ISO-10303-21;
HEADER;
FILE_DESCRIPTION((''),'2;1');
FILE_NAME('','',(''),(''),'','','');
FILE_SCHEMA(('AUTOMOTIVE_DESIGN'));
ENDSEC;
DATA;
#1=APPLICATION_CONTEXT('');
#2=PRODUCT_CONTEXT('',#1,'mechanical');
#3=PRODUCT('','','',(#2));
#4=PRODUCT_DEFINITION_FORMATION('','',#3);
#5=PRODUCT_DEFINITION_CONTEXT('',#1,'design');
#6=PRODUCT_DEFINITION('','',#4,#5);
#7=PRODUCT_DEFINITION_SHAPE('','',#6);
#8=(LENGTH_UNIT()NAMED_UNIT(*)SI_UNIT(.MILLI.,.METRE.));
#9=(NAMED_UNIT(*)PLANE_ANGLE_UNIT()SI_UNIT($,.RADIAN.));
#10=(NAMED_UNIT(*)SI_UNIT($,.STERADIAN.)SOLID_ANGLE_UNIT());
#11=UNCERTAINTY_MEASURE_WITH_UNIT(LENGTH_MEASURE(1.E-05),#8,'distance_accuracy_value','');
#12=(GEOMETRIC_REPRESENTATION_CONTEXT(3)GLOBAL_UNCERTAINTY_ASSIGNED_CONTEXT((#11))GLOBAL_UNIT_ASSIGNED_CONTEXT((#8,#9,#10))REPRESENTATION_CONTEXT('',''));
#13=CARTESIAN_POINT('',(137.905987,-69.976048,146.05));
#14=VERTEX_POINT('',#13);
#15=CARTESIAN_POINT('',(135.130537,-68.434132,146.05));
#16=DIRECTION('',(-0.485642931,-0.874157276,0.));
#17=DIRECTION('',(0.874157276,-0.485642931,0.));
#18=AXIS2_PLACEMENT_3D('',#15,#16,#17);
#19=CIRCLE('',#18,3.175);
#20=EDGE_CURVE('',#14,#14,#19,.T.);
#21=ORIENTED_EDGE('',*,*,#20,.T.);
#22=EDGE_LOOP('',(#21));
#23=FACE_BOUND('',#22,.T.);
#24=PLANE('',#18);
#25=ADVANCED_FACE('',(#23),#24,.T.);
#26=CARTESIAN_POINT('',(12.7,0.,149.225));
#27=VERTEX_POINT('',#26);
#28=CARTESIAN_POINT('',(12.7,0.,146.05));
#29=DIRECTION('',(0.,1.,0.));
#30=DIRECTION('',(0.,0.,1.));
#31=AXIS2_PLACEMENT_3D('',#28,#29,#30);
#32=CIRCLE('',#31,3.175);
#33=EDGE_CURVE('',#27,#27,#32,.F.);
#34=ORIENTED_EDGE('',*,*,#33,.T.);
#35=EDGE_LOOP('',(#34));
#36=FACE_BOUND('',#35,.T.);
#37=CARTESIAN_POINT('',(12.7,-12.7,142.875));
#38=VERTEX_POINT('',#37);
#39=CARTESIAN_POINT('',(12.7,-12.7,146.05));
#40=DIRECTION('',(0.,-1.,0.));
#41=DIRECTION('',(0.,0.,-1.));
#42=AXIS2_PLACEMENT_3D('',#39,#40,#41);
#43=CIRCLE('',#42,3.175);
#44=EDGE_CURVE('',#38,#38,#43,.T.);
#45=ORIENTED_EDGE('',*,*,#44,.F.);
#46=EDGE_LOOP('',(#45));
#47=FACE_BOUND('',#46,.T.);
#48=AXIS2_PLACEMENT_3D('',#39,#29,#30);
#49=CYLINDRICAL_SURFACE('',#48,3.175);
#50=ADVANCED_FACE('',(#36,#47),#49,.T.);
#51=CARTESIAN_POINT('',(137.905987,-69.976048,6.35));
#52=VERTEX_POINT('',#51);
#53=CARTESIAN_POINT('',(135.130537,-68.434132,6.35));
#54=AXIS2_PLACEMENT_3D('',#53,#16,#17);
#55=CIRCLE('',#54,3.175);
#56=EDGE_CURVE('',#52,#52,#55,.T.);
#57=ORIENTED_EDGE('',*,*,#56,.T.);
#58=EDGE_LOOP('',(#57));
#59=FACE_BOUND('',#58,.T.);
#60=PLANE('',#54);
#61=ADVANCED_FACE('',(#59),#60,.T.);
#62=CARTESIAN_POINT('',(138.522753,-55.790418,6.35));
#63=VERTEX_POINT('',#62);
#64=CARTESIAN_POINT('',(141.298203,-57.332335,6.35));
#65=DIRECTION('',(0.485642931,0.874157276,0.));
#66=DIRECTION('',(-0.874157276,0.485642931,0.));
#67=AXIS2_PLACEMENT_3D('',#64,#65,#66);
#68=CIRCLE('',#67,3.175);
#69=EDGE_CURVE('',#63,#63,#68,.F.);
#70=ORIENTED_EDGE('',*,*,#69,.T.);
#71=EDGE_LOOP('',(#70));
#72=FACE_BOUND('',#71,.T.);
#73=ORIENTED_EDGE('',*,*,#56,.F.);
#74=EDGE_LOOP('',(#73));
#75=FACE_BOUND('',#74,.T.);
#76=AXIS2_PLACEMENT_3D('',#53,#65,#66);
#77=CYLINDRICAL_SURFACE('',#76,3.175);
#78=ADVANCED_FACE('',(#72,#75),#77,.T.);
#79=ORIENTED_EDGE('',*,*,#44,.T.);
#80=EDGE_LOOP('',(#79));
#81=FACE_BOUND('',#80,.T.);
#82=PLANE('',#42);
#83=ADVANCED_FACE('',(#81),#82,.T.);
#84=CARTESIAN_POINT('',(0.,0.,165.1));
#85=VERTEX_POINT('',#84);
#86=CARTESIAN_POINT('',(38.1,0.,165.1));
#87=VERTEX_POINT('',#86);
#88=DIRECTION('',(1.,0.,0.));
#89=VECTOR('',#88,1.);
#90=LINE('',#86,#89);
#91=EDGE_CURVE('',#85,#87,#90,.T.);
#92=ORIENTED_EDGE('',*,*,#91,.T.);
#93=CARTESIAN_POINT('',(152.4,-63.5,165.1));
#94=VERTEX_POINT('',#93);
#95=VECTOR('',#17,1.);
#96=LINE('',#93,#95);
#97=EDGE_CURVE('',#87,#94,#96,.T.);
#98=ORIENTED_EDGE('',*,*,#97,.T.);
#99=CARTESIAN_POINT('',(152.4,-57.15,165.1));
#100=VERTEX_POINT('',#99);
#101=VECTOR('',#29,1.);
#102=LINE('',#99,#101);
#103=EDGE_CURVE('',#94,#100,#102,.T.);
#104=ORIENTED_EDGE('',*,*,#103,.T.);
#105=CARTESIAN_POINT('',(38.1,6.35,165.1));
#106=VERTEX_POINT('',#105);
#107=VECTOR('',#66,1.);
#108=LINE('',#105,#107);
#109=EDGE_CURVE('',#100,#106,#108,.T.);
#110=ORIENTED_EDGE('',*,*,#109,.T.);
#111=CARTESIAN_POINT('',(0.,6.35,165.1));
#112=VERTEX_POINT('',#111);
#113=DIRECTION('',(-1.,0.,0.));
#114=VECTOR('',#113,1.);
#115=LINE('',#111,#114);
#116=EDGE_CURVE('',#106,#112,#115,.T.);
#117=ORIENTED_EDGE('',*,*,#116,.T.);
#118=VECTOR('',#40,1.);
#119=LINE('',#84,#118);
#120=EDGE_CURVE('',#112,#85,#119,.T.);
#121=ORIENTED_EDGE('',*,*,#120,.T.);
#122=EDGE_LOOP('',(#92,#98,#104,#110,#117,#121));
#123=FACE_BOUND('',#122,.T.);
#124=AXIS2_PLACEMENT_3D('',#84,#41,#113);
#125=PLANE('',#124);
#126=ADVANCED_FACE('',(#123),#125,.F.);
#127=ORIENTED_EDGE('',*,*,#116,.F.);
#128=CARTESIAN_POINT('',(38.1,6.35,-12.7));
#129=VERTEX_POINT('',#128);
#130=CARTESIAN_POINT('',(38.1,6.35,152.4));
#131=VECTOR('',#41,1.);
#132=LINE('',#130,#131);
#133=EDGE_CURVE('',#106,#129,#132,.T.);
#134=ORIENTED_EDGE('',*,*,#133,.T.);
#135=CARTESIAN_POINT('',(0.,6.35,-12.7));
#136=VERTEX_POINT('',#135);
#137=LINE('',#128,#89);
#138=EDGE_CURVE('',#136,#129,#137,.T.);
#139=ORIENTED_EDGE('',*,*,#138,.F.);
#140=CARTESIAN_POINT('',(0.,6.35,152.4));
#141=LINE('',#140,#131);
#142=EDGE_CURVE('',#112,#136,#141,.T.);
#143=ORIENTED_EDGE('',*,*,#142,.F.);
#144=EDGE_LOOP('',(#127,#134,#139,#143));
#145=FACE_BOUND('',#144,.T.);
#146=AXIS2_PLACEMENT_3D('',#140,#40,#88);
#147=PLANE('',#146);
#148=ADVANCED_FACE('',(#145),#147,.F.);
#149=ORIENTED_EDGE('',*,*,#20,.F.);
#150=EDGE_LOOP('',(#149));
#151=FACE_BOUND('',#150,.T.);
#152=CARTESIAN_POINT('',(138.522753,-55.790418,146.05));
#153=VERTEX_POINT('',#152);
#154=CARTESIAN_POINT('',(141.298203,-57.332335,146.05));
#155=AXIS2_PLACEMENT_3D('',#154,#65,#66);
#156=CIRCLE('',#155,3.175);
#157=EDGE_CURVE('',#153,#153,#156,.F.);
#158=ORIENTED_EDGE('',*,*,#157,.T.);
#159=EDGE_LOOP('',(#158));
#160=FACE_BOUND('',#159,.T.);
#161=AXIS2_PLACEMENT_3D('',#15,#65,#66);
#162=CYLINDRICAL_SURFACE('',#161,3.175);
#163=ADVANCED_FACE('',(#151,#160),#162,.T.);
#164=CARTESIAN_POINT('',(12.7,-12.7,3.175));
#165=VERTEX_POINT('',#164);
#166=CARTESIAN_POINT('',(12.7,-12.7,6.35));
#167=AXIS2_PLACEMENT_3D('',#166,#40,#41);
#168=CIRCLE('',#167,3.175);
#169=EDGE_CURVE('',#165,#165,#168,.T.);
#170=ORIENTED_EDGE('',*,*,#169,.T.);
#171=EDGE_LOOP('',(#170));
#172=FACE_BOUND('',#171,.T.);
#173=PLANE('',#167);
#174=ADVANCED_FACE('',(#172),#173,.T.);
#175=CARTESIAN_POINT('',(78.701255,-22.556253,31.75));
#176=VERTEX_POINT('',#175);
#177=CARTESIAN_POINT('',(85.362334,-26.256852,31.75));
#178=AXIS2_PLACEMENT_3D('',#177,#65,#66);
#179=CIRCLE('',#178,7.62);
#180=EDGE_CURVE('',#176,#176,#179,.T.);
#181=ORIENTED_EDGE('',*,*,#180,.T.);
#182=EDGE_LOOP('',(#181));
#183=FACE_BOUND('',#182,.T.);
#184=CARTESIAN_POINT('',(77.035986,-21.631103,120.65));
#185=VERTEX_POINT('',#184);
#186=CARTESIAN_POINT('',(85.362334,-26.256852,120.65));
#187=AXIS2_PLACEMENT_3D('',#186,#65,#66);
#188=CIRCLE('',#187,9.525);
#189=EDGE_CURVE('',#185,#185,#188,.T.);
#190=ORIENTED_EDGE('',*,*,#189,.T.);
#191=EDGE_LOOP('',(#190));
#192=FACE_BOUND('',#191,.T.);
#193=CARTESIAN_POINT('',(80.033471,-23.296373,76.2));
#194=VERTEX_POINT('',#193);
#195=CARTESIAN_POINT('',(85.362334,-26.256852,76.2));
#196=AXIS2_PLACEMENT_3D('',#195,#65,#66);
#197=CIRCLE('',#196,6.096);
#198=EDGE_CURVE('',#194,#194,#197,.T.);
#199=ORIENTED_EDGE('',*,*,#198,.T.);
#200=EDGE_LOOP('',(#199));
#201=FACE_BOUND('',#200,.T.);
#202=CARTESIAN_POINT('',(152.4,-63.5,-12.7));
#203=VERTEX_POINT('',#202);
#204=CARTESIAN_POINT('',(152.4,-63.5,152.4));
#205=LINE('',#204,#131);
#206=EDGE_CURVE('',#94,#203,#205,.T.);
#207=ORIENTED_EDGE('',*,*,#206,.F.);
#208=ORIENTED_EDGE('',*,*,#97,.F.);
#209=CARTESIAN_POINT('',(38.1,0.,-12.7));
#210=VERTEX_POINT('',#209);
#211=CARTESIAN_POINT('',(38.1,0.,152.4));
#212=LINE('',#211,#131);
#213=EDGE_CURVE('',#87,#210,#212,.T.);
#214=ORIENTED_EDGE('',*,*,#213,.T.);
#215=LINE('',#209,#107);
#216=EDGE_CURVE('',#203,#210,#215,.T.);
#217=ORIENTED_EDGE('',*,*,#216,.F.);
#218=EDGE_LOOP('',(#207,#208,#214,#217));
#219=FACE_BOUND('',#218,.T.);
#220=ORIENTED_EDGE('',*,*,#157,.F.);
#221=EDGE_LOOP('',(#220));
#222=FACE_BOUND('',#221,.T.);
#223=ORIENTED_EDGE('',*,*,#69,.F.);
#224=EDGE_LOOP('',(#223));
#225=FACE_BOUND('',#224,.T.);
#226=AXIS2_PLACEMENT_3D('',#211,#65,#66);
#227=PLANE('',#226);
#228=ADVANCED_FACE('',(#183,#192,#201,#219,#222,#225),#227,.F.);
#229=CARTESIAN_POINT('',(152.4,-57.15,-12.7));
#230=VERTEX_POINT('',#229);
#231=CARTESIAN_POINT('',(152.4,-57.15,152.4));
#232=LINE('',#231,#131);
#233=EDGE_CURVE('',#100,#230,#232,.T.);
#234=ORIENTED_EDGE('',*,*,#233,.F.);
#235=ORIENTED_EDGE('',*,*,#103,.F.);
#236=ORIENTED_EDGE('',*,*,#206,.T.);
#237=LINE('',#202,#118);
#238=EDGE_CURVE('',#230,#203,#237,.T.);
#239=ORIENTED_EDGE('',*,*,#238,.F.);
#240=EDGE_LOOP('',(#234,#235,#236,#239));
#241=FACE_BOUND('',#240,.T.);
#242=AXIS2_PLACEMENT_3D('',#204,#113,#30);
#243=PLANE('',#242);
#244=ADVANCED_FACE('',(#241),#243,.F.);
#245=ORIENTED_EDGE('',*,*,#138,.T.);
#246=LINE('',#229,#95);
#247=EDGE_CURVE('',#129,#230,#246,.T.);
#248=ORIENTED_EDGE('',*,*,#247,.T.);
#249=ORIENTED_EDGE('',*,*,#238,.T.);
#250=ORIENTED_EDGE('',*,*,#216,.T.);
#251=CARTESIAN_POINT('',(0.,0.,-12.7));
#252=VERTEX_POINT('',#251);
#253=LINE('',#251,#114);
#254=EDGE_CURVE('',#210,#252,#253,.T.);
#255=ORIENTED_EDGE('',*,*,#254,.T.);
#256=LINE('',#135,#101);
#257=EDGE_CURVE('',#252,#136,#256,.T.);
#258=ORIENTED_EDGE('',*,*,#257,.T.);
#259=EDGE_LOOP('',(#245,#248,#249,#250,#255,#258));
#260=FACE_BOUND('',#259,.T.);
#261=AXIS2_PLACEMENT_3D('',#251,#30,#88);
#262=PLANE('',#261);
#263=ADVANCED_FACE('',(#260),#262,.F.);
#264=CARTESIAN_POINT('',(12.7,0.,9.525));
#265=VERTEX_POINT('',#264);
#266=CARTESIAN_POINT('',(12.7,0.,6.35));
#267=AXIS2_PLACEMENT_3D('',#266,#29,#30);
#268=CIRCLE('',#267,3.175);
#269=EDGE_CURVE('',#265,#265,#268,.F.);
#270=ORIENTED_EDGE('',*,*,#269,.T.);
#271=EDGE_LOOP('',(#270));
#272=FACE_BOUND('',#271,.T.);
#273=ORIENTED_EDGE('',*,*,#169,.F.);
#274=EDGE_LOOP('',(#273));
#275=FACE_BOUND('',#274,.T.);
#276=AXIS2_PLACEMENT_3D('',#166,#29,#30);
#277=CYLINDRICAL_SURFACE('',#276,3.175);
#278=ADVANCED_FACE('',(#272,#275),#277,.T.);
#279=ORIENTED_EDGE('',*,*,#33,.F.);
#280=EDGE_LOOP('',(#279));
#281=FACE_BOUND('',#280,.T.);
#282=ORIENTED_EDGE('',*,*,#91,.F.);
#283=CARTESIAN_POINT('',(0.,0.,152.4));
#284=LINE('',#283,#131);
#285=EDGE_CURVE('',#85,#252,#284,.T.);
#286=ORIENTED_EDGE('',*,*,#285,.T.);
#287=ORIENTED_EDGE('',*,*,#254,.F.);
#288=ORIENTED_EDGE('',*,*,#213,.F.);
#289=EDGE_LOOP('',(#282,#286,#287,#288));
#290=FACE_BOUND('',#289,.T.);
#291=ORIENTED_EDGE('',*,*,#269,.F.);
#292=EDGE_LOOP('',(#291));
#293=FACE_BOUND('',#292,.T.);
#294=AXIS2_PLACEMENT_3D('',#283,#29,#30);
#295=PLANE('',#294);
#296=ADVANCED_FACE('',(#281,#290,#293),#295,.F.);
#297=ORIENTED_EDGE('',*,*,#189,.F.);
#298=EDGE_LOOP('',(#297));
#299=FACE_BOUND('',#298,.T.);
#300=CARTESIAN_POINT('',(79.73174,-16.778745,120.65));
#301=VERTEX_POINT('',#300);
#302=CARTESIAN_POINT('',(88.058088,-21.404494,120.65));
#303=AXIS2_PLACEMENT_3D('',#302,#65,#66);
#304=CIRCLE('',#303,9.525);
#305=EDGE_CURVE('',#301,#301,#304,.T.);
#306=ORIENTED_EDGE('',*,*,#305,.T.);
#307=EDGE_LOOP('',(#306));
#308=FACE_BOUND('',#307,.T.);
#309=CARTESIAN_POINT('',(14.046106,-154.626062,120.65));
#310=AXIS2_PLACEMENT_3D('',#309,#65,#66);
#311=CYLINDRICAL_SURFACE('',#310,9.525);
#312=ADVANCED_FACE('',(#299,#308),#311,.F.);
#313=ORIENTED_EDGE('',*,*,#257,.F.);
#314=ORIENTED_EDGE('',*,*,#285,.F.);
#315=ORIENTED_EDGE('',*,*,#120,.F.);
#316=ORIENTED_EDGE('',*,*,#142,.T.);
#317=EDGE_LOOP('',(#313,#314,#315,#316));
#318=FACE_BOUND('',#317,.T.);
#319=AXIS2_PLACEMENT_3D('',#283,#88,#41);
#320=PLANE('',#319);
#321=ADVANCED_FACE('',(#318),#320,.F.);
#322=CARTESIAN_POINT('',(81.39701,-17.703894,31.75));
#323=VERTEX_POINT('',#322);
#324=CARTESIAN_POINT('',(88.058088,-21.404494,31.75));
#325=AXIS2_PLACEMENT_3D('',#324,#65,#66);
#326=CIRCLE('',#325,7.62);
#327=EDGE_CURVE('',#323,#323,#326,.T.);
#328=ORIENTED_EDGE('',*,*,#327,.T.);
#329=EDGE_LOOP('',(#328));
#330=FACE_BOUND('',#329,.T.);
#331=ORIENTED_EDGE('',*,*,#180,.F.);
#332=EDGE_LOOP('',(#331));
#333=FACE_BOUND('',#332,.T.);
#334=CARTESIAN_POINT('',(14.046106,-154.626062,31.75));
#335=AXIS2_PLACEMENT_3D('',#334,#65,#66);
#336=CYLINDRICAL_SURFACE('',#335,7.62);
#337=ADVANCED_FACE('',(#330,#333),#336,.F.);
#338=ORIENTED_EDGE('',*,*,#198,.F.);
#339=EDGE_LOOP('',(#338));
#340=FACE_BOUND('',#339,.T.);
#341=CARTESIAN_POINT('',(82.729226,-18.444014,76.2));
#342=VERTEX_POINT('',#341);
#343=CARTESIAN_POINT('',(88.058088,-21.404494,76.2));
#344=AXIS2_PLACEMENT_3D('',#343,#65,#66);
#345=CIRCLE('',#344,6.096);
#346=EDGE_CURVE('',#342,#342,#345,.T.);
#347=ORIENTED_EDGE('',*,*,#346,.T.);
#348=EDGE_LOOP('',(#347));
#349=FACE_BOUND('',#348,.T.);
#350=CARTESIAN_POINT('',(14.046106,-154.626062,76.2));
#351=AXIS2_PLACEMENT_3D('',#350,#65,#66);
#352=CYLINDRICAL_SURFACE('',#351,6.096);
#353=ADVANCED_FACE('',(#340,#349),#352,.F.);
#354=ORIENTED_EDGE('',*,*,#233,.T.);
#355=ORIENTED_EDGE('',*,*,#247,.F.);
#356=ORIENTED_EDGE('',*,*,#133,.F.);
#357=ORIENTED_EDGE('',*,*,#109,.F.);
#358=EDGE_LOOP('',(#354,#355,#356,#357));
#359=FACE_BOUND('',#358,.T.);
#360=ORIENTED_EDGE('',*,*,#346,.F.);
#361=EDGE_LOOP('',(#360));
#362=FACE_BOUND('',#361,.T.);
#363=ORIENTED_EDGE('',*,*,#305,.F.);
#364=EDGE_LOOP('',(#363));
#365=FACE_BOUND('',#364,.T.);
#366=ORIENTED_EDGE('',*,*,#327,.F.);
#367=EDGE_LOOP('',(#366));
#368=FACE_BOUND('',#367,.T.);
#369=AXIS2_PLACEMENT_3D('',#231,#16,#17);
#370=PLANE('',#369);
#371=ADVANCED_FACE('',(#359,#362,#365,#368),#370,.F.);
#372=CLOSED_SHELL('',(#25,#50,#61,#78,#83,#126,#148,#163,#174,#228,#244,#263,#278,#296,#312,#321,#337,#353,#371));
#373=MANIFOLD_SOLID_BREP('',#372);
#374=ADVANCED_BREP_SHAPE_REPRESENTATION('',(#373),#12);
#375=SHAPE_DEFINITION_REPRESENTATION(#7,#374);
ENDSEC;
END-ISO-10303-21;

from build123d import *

# Parameters (mm, degrees)
BOSS_EXTRUDE1_DEPTH = 152.4
SKETCH2_R           = 9.525
SKETCH2_R_2         = 6.096
SKETCH2_R_3         = 7.62
CUT_EXTRUDE1_DEPTH  = 152.4
SKETCH3_R           = 3.175
BOSS_EXTRUDE2_DEPTH = 12.7
SKETCH4_R           = 3.175
BOSS_EXTRUDE3_DEPTH = 12.7
BOSS_EXTRUDE5_DEPTH = 12.7
BOSS_EXTRUDE6_DEPTH = 12.7


with BuildPart() as part:
    # Sketch1 → Boss-Extrude1 (new body)
    with BuildSketch(Plane.XY):
        Polygon((0, 0), (38.1, 0), (152.4, -63.5), (152.4, -57.15), (38.1, 6.35), (0, 6.35), align=None)
    extrude(amount=BOSS_EXTRUDE1_DEPTH)

    # Sketch2 → Cut-Extrude1 (cut)
    with BuildSketch(Plane(origin=(11.681603774, 21.026886792, 0), x_dir=(0.874157276, -0.485642931, 0), z_dir=(0.485642931, 0.874157276, 0))):
        with Locations((87.371559607, -120.65)):
            Circle(SKETCH2_R)
        with Locations((87.371559607, -76.2)):
            Circle(SKETCH2_R_2)
        with Locations((87.371559607, -31.75)):
            Circle(SKETCH2_R_3)
    extrude(amount=-CUT_EXTRUDE1_DEPTH, mode=Mode.SUBTRACT)

    # Sketch3 → Boss-Extrude2 (add)
    with BuildSketch(Plane.XZ):
        with Locations((12.7, 6.35)):
            Circle(SKETCH3_R)
        with Locations((12.7, 146.05)):
            Circle(SKETCH3_R)
    extrude(amount=BOSS_EXTRUDE2_DEPTH)

    # Sketch4 → Boss-Extrude3 (add)
    with BuildSketch(Plane(origin=(8.985849057, 16.174528302, 0), x_dir=(0.874157276, -0.485642931, 0), z_dir=(-0.485642931, -0.874157276, 0))):
        with Locations((151.359895011, 6.35)):
            Circle(SKETCH4_R)
        with Locations((151.359895011, 146.05)):
            Circle(SKETCH4_R)
    extrude(amount=BOSS_EXTRUDE3_DEPTH)

    # Sketch7 → Boss-Extrude5 (add)
    with BuildSketch(Plane.XY.offset(152.4)):
        Polygon((0, 0), (0, 6.35), (38.1, 6.35), (152.4, -57.15), (152.4, -63.5), (38.1, 0), align=None)
    extrude(amount=BOSS_EXTRUDE5_DEPTH)

    # Sketch8 → Boss-Extrude6 (add)
    with BuildSketch(Plane(origin=(0, 0, 0), x_dir=(-1, 0, 0), z_dir=(0, 0, -1))):
        Polygon((0, 0), (-38.1, 0), (-152.4, -63.5), (-152.4, -57.15), (-38.1, 6.35), (0, 6.35), align=None)
    extrude(amount=BOSS_EXTRUDE6_DEPTH)


solid = part.part
